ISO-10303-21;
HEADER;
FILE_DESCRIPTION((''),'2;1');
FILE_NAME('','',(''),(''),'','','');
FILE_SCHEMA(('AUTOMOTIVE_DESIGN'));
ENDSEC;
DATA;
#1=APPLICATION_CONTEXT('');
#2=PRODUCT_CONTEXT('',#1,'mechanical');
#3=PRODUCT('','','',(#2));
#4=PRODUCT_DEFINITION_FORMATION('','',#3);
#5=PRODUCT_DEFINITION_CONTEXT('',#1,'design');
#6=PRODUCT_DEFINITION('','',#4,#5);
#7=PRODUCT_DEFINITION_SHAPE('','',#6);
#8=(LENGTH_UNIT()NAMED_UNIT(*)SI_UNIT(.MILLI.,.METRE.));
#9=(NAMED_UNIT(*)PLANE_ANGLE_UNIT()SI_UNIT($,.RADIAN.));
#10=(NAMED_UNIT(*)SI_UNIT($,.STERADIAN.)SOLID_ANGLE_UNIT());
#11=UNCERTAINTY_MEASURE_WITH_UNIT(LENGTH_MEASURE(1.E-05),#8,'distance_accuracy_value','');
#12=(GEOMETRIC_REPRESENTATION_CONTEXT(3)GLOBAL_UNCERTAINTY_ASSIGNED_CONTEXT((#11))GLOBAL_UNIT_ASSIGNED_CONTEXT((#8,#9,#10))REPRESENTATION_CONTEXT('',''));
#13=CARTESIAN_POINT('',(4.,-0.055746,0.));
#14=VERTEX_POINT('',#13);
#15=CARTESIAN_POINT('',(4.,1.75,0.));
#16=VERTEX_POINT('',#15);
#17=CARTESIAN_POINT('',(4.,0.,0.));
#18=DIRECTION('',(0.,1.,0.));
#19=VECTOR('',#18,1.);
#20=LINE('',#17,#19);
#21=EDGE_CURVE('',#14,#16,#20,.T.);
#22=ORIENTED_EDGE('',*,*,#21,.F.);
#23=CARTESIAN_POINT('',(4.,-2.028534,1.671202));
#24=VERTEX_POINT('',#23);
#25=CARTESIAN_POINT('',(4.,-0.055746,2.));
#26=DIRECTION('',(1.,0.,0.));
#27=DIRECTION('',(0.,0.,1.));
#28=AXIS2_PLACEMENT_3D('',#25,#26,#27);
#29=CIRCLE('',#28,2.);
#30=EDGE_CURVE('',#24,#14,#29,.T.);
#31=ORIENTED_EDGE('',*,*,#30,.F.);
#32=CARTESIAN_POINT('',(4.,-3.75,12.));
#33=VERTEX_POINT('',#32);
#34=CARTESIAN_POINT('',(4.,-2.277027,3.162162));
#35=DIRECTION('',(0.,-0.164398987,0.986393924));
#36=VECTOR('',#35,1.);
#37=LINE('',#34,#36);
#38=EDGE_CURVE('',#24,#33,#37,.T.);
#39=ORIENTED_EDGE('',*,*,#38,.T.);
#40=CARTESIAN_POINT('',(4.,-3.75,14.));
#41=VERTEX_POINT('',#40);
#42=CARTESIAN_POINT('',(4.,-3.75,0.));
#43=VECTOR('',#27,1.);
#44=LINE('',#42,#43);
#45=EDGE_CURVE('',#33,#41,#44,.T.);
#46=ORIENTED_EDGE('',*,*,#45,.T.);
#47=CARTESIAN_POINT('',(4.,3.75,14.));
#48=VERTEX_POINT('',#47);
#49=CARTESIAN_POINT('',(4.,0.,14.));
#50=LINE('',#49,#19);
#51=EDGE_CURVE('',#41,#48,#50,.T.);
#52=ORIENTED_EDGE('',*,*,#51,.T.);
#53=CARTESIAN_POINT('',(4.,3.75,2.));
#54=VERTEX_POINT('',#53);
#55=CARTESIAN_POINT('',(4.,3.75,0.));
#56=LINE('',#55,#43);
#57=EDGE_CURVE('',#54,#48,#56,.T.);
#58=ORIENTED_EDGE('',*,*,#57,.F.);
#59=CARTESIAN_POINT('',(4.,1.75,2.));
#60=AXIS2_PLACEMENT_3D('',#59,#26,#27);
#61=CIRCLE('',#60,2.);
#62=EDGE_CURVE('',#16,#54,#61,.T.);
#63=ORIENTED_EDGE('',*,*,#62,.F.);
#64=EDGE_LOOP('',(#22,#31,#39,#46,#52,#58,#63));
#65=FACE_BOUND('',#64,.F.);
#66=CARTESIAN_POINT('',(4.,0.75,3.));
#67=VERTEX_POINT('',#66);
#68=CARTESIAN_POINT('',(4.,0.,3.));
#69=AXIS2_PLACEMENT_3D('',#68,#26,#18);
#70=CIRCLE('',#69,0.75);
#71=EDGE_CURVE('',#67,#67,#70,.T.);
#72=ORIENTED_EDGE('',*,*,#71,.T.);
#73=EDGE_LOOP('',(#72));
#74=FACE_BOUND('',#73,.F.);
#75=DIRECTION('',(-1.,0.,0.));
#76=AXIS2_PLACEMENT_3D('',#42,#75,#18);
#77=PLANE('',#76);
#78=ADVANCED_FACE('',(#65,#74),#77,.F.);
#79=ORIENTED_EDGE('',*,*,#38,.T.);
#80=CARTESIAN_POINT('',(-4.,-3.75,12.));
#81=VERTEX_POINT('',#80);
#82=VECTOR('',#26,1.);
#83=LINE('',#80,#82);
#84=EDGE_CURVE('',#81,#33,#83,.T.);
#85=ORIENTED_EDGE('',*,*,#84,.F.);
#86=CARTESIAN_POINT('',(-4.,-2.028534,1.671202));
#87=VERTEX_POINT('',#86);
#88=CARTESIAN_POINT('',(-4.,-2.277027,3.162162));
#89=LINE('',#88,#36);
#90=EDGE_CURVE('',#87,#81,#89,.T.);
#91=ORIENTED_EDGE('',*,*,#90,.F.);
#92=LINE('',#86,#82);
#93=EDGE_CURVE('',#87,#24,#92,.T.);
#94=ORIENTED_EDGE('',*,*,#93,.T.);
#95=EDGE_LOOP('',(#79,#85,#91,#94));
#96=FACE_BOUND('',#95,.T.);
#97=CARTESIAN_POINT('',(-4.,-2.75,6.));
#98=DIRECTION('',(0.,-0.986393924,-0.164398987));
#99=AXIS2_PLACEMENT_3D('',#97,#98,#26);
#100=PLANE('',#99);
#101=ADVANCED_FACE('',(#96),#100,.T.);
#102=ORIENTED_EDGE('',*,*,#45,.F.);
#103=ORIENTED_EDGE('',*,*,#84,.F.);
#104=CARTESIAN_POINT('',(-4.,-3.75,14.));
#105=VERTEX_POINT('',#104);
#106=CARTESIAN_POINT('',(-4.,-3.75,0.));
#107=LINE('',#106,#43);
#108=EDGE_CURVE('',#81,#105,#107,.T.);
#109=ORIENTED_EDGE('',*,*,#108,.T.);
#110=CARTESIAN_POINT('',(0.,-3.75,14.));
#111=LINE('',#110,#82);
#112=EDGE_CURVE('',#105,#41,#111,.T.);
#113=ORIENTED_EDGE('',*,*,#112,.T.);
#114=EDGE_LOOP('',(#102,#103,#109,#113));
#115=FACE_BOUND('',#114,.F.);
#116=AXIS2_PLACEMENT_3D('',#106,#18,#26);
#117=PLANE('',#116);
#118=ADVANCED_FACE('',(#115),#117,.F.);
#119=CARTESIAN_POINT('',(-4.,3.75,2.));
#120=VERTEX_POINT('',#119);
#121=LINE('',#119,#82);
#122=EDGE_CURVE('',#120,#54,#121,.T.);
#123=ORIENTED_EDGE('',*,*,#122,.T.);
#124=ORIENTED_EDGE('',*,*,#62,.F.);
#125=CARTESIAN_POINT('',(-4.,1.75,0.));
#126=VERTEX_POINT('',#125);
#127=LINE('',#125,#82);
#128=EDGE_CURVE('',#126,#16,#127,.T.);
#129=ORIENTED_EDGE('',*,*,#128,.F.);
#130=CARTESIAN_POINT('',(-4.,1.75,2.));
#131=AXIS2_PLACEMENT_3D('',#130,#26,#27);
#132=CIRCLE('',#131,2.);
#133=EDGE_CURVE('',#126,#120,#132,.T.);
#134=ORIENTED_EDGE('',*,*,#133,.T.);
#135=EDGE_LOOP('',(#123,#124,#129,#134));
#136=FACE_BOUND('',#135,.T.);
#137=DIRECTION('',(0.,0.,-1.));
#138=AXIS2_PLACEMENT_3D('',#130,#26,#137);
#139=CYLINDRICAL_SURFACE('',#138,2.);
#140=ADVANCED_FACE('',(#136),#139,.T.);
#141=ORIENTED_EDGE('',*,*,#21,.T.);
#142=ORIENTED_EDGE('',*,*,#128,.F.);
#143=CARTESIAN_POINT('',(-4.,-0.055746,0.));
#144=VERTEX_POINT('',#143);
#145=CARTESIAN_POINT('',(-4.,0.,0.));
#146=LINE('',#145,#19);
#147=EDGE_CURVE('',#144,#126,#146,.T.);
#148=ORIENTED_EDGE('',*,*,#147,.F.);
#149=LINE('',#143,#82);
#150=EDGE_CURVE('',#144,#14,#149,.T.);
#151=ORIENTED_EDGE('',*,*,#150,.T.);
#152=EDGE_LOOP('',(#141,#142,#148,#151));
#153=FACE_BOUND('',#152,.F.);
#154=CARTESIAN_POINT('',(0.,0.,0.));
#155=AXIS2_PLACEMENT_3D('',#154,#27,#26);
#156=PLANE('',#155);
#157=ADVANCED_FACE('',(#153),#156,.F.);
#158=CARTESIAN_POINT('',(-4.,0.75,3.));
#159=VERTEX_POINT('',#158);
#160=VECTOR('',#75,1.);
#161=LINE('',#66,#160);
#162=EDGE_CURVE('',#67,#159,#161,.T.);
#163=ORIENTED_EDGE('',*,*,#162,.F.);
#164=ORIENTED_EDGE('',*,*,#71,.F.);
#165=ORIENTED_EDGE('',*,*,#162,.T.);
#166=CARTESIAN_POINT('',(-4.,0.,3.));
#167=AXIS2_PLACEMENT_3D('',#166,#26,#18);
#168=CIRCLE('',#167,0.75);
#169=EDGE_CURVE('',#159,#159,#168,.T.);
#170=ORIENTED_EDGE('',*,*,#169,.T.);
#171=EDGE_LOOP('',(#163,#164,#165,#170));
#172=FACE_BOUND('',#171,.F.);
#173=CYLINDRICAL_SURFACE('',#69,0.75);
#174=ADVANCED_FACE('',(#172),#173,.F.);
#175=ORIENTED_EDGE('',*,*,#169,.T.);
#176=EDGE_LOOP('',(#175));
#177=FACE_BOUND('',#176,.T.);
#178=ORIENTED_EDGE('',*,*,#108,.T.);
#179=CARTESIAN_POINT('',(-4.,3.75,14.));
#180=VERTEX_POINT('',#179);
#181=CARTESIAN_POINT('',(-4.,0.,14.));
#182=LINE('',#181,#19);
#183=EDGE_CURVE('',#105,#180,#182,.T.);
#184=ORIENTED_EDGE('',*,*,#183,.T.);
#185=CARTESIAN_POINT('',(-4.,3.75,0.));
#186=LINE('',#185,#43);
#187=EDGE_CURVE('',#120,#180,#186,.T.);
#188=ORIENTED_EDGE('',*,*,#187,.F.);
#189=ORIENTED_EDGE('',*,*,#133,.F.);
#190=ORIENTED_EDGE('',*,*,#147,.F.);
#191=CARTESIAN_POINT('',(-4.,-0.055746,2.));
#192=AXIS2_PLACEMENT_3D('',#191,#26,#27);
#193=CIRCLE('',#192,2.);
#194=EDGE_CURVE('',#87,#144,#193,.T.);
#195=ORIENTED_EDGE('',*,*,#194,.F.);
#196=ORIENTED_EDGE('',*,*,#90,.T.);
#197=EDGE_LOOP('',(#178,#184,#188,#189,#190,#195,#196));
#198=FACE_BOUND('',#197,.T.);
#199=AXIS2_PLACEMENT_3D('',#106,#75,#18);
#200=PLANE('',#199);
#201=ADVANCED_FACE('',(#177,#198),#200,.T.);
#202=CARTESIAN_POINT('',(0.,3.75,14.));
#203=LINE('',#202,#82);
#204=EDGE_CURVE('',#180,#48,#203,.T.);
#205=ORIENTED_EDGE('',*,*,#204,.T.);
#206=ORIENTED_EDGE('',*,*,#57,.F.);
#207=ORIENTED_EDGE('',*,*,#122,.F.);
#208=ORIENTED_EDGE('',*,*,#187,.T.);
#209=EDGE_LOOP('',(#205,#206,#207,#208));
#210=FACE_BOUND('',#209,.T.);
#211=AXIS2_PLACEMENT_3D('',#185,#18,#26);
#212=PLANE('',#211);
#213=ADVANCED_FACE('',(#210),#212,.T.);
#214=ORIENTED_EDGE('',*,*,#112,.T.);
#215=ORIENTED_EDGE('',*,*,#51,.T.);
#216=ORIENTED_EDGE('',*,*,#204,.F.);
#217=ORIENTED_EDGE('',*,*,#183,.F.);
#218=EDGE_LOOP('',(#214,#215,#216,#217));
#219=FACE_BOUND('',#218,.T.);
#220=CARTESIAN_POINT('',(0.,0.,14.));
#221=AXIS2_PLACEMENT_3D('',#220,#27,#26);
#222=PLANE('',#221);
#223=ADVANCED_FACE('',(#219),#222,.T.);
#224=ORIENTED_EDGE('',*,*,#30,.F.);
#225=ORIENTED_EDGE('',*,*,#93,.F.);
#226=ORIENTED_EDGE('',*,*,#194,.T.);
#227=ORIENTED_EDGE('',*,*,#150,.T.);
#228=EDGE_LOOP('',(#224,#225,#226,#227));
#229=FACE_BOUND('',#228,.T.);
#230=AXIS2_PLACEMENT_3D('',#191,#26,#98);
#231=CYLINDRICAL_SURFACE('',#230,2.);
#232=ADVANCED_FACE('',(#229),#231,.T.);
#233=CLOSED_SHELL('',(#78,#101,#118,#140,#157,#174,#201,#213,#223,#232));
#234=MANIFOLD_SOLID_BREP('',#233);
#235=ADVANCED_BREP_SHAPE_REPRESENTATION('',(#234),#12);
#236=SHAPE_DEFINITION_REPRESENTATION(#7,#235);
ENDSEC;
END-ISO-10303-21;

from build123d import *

# Parameters (mm, degrees)
F0_W     = 8
F0_H     = 7.5
F1_DEPTH = 14
F3_R     = 0.75
F4_DEPTH = 8
F5_SIZE2 = 12
F5_SIZE  = 2
F6_R     = 2
F7_R     = 2


with BuildPart() as f1:
    # F0 (on Top) → F1 (new body)
    with BuildSketch(Plane.XY):
        Rectangle(F0_W, F0_H)
    extrude(amount=F1_DEPTH)

    # F3 (on face) → F4 (cut)
    with BuildSketch(Plane.YZ.offset(4)):
        with Locations((0, 3)):
            Circle(F3_R)
    extrude(amount=-F4_DEPTH, mode=Mode.SUBTRACT)

    # F5
    f5_edges = [f1.edges().sort_by_distance(p)[0] for p in [
        (0, -3.75, 0),
    ]]
    f5_side = f1.faces().sort_by_distance((0, 0, 0))[0]
    chamfer(f5_edges, length=F5_SIZE, length2=F5_SIZE2, reference=f5_side)

    # F6
    f6_edges = [f1.edges().sort_by_distance(p)[0] for p in [
        (0, -1.75, 0),
    ]]
    fillet(f6_edges, radius=F6_R)

    # F7
    f7_edges = [f1.edges().sort_by_distance(p)[0] for p in [
        (0, 3.75, 0),
    ]]
    fillet(f7_edges, radius=F7_R)


solid = f1.part
